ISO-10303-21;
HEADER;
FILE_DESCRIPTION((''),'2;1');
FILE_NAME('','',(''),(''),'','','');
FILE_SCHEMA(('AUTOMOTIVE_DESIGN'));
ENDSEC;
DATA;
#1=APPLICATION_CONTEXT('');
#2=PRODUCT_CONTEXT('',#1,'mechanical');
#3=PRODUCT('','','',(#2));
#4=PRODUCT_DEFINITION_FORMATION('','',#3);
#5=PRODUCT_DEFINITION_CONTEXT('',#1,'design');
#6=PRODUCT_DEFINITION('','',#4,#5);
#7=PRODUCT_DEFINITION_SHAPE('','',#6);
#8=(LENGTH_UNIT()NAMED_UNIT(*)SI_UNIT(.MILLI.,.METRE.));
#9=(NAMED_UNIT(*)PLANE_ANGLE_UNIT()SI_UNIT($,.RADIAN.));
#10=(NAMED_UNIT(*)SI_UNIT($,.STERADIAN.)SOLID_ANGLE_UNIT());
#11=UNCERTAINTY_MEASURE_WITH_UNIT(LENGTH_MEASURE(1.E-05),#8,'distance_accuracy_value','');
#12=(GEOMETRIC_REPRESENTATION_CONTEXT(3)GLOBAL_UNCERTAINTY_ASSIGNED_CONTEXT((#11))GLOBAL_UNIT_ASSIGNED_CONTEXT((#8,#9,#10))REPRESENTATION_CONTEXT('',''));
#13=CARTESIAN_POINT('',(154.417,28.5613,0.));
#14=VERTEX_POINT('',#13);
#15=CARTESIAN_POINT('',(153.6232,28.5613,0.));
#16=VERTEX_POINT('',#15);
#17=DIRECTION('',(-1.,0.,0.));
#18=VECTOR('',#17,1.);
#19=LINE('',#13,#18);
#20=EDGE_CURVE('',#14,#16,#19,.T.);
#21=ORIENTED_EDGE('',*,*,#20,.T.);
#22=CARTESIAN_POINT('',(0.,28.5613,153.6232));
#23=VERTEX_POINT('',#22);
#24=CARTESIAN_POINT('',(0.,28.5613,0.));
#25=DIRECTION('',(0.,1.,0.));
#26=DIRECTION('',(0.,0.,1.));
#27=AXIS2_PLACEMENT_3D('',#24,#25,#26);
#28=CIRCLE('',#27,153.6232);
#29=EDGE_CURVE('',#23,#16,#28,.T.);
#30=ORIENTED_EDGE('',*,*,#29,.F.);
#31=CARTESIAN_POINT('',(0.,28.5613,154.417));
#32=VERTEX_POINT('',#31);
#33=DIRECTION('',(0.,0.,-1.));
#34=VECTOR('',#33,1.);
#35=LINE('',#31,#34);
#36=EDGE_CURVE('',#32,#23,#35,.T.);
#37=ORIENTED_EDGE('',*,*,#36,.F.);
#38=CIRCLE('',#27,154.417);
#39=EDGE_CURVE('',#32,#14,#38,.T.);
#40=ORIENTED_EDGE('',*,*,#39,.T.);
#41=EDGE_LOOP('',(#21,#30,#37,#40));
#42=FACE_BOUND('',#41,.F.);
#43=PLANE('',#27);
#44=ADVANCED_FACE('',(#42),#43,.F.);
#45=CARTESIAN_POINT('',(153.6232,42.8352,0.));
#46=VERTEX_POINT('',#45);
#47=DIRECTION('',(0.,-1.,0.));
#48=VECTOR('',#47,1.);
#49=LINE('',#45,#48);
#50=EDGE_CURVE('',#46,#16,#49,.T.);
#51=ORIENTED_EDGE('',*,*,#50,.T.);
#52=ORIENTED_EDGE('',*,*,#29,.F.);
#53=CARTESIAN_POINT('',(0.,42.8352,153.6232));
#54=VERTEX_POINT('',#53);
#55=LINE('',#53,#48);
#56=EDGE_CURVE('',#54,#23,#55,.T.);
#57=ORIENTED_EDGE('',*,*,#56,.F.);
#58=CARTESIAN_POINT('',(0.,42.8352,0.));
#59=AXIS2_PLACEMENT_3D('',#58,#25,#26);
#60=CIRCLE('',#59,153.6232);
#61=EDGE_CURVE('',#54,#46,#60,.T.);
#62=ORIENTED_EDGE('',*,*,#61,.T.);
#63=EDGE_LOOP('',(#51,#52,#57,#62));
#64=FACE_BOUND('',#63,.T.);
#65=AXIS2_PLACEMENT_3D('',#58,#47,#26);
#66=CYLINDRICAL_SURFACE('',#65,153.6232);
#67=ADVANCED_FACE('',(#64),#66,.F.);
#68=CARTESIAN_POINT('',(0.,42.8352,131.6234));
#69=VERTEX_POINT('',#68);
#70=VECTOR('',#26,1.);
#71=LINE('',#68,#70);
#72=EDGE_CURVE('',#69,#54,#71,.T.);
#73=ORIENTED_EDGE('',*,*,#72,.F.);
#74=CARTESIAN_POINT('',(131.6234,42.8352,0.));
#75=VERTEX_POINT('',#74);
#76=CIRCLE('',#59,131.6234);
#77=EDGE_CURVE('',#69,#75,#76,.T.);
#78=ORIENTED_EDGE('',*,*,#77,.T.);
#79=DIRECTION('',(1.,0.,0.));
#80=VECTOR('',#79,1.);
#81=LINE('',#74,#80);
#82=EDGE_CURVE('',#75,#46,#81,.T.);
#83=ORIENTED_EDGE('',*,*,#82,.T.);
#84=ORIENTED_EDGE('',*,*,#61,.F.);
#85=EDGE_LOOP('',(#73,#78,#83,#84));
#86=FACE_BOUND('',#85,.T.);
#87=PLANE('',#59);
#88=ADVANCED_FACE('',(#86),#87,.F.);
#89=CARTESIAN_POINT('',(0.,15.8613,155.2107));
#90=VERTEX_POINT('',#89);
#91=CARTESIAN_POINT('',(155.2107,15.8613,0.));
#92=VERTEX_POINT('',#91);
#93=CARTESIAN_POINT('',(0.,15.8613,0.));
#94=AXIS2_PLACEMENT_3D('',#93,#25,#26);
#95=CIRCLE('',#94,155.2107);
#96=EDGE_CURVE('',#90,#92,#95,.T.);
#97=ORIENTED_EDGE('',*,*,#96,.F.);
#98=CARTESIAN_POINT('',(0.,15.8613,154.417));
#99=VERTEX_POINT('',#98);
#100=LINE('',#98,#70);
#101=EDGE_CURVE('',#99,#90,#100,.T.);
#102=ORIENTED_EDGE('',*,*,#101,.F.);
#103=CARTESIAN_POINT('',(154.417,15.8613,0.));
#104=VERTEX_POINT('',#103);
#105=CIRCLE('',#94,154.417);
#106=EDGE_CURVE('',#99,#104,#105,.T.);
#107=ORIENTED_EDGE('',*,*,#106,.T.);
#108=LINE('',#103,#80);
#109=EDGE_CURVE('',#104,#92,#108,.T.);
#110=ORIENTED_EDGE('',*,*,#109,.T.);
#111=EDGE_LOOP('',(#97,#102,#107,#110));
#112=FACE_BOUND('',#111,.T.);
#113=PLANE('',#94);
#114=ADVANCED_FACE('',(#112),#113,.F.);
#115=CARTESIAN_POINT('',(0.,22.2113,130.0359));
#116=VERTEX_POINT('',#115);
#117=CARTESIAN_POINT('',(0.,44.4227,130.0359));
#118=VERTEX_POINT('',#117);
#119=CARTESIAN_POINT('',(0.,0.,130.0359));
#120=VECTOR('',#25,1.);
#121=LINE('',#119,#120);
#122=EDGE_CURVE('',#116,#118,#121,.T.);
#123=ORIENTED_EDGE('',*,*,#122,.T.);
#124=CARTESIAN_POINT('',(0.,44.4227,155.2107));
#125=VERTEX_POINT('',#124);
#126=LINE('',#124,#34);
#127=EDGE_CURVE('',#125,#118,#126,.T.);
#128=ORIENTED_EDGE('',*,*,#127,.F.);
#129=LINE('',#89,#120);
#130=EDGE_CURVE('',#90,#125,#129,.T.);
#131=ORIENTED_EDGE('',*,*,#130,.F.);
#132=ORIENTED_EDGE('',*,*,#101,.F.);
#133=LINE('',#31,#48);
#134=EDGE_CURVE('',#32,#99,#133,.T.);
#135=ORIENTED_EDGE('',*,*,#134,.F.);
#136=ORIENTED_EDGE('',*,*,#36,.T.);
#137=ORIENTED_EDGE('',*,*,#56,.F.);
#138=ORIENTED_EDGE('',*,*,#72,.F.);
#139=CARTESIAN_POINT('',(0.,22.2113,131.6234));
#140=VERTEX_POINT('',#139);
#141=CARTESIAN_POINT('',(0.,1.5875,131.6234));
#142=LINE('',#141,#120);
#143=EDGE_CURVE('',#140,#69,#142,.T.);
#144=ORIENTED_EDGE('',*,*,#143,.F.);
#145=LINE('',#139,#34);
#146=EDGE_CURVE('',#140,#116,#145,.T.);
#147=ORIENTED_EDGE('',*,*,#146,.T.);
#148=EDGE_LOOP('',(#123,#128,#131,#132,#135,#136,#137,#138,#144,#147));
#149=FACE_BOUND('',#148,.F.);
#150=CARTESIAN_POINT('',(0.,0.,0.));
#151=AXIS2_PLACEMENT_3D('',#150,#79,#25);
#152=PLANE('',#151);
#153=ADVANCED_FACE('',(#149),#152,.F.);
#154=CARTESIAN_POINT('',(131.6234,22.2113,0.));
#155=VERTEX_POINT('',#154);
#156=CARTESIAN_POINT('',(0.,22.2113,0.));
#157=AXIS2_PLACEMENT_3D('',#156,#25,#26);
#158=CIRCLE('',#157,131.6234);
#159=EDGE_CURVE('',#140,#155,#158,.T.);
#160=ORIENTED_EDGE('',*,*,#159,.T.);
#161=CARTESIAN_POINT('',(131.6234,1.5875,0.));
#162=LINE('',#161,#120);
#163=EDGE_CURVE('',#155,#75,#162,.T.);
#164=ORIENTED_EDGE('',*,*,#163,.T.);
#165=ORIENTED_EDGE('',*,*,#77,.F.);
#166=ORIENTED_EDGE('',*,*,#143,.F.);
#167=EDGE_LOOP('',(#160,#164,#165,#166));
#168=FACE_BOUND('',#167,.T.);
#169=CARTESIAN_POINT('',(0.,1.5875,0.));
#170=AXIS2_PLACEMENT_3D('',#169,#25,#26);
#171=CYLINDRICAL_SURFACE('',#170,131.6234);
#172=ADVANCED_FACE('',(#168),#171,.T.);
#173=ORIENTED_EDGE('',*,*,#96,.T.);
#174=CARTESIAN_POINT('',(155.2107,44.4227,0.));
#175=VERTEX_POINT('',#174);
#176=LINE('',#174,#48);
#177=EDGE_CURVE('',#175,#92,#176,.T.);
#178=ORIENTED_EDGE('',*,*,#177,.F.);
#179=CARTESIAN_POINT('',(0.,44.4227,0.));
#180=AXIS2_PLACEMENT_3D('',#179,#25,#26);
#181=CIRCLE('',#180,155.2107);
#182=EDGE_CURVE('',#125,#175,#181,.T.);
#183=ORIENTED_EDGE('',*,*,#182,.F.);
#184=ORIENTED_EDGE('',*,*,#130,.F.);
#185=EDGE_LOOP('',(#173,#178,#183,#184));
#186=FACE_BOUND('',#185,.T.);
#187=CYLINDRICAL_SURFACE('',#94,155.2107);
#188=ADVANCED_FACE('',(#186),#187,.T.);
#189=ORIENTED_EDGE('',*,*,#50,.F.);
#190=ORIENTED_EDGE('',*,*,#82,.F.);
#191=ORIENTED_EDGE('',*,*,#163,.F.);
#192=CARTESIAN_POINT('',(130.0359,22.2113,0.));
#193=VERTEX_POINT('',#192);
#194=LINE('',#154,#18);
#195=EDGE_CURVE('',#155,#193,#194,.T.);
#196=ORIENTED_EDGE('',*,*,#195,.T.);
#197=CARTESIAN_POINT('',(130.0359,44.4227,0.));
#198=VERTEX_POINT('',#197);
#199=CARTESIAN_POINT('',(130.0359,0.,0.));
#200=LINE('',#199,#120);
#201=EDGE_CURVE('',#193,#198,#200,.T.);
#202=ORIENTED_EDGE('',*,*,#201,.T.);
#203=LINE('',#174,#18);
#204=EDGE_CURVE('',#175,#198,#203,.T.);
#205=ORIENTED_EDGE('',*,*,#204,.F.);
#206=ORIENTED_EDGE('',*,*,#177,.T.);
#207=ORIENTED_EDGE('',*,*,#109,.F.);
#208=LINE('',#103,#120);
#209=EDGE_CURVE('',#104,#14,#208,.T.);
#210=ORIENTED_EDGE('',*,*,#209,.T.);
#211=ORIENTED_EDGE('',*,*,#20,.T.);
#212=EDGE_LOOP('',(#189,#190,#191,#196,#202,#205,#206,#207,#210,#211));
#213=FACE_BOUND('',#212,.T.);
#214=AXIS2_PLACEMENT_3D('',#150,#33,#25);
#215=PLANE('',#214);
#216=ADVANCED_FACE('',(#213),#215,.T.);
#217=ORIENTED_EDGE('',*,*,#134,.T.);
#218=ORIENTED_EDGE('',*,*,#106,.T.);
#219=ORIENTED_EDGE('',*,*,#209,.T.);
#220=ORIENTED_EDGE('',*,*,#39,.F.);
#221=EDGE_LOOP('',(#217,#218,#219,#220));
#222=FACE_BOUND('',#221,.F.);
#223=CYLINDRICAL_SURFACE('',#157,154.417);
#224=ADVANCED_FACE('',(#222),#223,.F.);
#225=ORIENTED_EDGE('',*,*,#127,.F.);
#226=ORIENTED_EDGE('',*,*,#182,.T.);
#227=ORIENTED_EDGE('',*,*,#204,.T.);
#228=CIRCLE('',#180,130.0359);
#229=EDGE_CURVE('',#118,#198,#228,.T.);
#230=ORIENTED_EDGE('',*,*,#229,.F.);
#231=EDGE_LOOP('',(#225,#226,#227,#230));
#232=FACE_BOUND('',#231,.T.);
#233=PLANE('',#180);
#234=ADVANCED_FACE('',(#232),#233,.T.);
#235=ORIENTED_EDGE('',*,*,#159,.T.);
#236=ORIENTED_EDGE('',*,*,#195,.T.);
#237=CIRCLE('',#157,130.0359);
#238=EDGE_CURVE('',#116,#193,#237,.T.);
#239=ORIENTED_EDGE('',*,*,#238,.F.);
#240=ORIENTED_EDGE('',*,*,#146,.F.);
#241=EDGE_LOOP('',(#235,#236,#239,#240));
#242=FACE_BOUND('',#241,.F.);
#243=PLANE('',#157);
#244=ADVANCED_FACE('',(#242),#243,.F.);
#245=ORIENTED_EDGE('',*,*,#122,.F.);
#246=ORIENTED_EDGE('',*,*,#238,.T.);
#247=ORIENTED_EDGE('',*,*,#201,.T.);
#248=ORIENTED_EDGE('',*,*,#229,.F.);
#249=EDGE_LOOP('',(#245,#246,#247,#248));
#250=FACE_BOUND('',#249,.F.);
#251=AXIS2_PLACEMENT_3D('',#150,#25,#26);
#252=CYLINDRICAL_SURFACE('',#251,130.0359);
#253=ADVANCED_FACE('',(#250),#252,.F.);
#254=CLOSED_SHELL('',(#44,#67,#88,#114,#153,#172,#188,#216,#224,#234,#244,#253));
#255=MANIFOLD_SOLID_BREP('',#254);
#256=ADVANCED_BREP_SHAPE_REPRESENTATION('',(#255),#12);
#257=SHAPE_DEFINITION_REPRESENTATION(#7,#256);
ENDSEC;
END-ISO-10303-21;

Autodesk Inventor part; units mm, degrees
ref_plane "YZ Plane" through (0, 0, 0) normal (1, 0, 0) x (0, 1, 0)
ref_plane "XZ Plane" through (0, 0, 0) normal (0, 1, 0) x (-1, 0, 0)
ref_plane "XY Plane" through (0, 0, 0) normal (0, 0, 1) x (1, 0, 0)
sketch "Sketch1" plane through (0, 0, 0) normal (1, 0, 0) x (0, 1, 0)
  line L0 (0, 0) -> (73.993, 0)
  line L1 (0, 130.0359) -> (44.4227, 130.0359)
  line L2 (0, 130.0359) -> (0, 155.2107)
  line L3 (15.8613, 155.2107) -> (44.4227, 155.2107)
  line L4 (44.4227, 155.2107) -> (44.4227, 130.0359)
  line L5 (1.5875, 153.6232) -> (1.5875, 131.6234)
  line L6 (1.5875, 131.6234) -> (42.8352, 131.6234)
  line L7 (42.8352, 131.6234) -> (42.8352, 153.6232)
  line L8 (18.2426, 143.1015) -> (18.2426, 119.3292)
  line L9 (14.2738, 131.6234) -> (14.2738, 130.0359)
  line L10 (22.2113, 131.6234) -> (22.2113, 130.0359)
  line L11 (22.2113, 167.4765) -> (22.2113, 148.4065)
  line L12 (22.2113, 154.417) -> (28.5613, 154.417)
  line L13 (28.5613, 154.417) -> (28.5613, 153.6232)
  line L14 (22.2113, 154.417) -> (15.8613, 154.417)
  line L15 (15.8613, 154.417) -> (15.8613, 155.2107)
  line L16 (42.8352, 153.6232) -> (28.5613, 153.6232)
  line L17 (18.2426, 153.6232) -> (1.5875, 153.6232)
  dimension "d1" = 25.1748
  dimension "d2" = 130.0359
  dimension "d3" = 44.4227
  dimension "d4" = 0
  dimension "d5" = 1.5875
  dimension "d6" = 1.5875
  dimension "d7" = 1.5875
  dimension "d8" = 1.5875
  dimension "d9" = 18.2426
  dimension "d10" = 7.9375
  dimension "d11" = 3.9688
  dimension "d13" = 22.2113
  dimension "d15" = 6.35
  dimension "d16" = 6.35
revolve "Revolution1" add sketch "Sketch1" angle 90 about axis through (0, 0, 0) along (0, 1, 0) contours L10 L6 L7 L16 L13 L12 L11 L3 L4 L1 | L11 L14 L15 L3
equation "\"d2\" = 0.5 * IBDia - 3 * SpWall"
equation "\"d3\" = Wall + 4 * SpWall + BevDriverDia + d1_1"
equation "\"d5\" = Wall"
equation "\"d6\" = Wall"
equation "\"d7\" = Wall"
equation "\"d8\" = Wall"
equation "\"d9\" = 2 * SpWall + 0.5 * BevDriverDia"
equation "\"d10\" = AxelDia + Space"
equation "\"d11\" = 0.5 * Space + 0.5 * AxelDia"
equation "\"d13\" = 0.5 * d3"
equation "\"IDia\" = 266.7"
equation "\"Wall\" = 1.5875"
equation "\"Space\" = 1.5875"
equation "\"SpWall\" = 3.175"
equation "\"AxelDia\" = 6.35"
equation "\"d14\" = 0.5 * Wall"
equation "\"IBDia\" = 279.121792"
equation "\"BevDriverDia\" = 23.785175"
equation "\"d1_1\" = 6.35"
properties part number "OuterShell_Top_Quarter"
